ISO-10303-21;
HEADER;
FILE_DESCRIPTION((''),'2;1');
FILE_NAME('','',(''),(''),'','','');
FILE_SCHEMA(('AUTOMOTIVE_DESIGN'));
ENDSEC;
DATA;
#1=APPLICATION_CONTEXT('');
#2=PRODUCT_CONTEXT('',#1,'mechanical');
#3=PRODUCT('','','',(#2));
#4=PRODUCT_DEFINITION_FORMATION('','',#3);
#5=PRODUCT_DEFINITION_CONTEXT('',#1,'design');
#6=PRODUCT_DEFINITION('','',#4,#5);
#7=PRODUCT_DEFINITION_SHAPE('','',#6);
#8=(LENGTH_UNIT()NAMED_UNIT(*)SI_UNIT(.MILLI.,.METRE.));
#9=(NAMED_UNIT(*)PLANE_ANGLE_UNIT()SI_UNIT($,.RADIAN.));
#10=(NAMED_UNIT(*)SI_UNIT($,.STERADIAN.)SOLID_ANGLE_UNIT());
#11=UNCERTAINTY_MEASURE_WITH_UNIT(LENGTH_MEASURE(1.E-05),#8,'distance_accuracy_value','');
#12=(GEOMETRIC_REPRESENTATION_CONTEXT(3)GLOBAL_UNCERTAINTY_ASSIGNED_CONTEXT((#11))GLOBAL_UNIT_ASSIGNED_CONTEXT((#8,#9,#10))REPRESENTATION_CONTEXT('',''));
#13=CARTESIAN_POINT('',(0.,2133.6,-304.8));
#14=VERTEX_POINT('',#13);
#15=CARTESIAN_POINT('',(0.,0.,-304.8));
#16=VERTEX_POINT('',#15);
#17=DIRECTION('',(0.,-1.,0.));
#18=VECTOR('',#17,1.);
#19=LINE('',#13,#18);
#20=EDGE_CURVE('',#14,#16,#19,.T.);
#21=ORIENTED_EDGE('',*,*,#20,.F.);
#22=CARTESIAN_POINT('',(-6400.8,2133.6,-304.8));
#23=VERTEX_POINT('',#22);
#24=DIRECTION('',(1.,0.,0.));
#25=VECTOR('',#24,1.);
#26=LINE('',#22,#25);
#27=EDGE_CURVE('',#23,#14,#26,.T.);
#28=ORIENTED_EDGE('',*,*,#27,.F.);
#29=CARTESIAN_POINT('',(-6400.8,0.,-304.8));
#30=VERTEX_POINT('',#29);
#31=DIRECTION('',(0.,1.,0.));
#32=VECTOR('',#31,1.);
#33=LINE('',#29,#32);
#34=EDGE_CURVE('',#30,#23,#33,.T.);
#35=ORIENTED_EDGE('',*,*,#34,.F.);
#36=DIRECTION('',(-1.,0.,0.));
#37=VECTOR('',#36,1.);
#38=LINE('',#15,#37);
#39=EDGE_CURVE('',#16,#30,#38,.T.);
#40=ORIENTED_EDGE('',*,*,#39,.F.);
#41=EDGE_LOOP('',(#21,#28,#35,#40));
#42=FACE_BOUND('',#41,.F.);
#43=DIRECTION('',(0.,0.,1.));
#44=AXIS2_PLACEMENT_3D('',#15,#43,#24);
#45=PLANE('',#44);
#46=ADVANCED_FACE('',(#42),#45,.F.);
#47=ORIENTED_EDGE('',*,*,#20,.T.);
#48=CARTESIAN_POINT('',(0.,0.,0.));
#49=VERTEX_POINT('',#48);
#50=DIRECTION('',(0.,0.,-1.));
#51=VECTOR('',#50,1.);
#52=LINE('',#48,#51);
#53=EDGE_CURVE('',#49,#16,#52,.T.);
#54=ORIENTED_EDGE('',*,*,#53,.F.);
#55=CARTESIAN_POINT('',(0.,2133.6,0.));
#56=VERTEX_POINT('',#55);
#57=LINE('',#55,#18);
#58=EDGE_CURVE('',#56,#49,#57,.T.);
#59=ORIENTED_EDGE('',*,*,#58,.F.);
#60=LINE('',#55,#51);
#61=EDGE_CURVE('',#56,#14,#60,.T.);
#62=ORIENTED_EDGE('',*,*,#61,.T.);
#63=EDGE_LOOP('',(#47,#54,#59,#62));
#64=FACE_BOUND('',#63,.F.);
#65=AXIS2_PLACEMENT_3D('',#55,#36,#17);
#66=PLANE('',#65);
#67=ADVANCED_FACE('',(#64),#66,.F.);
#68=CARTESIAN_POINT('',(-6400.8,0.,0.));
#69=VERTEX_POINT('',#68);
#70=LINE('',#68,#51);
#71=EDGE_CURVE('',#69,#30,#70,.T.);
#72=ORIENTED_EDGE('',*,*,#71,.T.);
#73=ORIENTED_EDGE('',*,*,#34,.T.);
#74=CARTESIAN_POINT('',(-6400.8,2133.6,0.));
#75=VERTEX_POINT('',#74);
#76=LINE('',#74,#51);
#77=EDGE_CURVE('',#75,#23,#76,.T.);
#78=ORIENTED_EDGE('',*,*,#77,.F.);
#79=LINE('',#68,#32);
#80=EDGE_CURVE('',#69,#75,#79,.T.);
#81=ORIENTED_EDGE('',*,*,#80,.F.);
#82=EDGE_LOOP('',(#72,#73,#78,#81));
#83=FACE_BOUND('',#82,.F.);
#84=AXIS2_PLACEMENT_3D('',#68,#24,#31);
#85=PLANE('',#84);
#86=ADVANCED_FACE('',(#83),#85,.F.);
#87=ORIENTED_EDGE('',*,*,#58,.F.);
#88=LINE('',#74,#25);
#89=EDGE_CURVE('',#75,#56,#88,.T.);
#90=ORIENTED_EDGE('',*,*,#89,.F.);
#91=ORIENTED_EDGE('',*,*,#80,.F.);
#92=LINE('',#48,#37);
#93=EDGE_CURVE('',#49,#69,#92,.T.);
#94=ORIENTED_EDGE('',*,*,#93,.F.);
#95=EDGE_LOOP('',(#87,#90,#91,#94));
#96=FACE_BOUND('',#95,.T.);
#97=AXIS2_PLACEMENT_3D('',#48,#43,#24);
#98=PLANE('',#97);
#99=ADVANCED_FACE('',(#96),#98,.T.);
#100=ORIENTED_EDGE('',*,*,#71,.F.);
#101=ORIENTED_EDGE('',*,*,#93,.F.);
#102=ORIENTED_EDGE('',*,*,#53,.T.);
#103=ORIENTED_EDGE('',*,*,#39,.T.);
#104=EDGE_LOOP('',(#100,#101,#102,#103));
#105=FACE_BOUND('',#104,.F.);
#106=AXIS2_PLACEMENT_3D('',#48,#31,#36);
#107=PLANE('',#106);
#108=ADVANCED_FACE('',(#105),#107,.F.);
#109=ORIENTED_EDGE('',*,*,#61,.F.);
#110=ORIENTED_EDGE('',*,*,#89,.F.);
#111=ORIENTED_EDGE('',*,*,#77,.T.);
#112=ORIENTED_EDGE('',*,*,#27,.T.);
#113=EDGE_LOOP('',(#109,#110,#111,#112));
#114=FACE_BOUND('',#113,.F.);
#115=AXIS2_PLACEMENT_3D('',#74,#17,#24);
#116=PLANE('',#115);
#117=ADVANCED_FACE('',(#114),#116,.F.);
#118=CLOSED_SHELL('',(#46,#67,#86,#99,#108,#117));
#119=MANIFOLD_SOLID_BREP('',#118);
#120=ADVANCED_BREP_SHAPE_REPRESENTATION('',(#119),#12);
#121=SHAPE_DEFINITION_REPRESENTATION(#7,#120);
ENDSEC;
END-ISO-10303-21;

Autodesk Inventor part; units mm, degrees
ref_plane "YZ Plane" through (0, 0, 0) normal (1, 0, 0) x (0, 1, 0)
ref_plane "XZ Plane" through (0, 0, 0) normal (0, 1, 0) x (-1, 0, 0)
ref_plane "XY Plane" through (0, 0, 0) normal (0, 0, 1) x (1, 0, 0)
sketch "Sketch1" plane through (0, 0, 0) normal (0, 0, 1) x (1, 0, 0)
  line L0 (0, 0) -> (-6400.8, 0)
  line L1 (-6400.8, 0) -> (-6400.8, 2133.6)
  line L2 (-6400.8, 2133.6) -> (0, 2133.6)
  line L3 (0, 2133.6) -> (0, 0)
  dimension "d0" = 2133.6
  dimension "d1" = 6400.8
extrude "Extrusion1" add sketch "Sketch1" against normal blind 304.8
properties part number "underDeckWestNearDriveway"
